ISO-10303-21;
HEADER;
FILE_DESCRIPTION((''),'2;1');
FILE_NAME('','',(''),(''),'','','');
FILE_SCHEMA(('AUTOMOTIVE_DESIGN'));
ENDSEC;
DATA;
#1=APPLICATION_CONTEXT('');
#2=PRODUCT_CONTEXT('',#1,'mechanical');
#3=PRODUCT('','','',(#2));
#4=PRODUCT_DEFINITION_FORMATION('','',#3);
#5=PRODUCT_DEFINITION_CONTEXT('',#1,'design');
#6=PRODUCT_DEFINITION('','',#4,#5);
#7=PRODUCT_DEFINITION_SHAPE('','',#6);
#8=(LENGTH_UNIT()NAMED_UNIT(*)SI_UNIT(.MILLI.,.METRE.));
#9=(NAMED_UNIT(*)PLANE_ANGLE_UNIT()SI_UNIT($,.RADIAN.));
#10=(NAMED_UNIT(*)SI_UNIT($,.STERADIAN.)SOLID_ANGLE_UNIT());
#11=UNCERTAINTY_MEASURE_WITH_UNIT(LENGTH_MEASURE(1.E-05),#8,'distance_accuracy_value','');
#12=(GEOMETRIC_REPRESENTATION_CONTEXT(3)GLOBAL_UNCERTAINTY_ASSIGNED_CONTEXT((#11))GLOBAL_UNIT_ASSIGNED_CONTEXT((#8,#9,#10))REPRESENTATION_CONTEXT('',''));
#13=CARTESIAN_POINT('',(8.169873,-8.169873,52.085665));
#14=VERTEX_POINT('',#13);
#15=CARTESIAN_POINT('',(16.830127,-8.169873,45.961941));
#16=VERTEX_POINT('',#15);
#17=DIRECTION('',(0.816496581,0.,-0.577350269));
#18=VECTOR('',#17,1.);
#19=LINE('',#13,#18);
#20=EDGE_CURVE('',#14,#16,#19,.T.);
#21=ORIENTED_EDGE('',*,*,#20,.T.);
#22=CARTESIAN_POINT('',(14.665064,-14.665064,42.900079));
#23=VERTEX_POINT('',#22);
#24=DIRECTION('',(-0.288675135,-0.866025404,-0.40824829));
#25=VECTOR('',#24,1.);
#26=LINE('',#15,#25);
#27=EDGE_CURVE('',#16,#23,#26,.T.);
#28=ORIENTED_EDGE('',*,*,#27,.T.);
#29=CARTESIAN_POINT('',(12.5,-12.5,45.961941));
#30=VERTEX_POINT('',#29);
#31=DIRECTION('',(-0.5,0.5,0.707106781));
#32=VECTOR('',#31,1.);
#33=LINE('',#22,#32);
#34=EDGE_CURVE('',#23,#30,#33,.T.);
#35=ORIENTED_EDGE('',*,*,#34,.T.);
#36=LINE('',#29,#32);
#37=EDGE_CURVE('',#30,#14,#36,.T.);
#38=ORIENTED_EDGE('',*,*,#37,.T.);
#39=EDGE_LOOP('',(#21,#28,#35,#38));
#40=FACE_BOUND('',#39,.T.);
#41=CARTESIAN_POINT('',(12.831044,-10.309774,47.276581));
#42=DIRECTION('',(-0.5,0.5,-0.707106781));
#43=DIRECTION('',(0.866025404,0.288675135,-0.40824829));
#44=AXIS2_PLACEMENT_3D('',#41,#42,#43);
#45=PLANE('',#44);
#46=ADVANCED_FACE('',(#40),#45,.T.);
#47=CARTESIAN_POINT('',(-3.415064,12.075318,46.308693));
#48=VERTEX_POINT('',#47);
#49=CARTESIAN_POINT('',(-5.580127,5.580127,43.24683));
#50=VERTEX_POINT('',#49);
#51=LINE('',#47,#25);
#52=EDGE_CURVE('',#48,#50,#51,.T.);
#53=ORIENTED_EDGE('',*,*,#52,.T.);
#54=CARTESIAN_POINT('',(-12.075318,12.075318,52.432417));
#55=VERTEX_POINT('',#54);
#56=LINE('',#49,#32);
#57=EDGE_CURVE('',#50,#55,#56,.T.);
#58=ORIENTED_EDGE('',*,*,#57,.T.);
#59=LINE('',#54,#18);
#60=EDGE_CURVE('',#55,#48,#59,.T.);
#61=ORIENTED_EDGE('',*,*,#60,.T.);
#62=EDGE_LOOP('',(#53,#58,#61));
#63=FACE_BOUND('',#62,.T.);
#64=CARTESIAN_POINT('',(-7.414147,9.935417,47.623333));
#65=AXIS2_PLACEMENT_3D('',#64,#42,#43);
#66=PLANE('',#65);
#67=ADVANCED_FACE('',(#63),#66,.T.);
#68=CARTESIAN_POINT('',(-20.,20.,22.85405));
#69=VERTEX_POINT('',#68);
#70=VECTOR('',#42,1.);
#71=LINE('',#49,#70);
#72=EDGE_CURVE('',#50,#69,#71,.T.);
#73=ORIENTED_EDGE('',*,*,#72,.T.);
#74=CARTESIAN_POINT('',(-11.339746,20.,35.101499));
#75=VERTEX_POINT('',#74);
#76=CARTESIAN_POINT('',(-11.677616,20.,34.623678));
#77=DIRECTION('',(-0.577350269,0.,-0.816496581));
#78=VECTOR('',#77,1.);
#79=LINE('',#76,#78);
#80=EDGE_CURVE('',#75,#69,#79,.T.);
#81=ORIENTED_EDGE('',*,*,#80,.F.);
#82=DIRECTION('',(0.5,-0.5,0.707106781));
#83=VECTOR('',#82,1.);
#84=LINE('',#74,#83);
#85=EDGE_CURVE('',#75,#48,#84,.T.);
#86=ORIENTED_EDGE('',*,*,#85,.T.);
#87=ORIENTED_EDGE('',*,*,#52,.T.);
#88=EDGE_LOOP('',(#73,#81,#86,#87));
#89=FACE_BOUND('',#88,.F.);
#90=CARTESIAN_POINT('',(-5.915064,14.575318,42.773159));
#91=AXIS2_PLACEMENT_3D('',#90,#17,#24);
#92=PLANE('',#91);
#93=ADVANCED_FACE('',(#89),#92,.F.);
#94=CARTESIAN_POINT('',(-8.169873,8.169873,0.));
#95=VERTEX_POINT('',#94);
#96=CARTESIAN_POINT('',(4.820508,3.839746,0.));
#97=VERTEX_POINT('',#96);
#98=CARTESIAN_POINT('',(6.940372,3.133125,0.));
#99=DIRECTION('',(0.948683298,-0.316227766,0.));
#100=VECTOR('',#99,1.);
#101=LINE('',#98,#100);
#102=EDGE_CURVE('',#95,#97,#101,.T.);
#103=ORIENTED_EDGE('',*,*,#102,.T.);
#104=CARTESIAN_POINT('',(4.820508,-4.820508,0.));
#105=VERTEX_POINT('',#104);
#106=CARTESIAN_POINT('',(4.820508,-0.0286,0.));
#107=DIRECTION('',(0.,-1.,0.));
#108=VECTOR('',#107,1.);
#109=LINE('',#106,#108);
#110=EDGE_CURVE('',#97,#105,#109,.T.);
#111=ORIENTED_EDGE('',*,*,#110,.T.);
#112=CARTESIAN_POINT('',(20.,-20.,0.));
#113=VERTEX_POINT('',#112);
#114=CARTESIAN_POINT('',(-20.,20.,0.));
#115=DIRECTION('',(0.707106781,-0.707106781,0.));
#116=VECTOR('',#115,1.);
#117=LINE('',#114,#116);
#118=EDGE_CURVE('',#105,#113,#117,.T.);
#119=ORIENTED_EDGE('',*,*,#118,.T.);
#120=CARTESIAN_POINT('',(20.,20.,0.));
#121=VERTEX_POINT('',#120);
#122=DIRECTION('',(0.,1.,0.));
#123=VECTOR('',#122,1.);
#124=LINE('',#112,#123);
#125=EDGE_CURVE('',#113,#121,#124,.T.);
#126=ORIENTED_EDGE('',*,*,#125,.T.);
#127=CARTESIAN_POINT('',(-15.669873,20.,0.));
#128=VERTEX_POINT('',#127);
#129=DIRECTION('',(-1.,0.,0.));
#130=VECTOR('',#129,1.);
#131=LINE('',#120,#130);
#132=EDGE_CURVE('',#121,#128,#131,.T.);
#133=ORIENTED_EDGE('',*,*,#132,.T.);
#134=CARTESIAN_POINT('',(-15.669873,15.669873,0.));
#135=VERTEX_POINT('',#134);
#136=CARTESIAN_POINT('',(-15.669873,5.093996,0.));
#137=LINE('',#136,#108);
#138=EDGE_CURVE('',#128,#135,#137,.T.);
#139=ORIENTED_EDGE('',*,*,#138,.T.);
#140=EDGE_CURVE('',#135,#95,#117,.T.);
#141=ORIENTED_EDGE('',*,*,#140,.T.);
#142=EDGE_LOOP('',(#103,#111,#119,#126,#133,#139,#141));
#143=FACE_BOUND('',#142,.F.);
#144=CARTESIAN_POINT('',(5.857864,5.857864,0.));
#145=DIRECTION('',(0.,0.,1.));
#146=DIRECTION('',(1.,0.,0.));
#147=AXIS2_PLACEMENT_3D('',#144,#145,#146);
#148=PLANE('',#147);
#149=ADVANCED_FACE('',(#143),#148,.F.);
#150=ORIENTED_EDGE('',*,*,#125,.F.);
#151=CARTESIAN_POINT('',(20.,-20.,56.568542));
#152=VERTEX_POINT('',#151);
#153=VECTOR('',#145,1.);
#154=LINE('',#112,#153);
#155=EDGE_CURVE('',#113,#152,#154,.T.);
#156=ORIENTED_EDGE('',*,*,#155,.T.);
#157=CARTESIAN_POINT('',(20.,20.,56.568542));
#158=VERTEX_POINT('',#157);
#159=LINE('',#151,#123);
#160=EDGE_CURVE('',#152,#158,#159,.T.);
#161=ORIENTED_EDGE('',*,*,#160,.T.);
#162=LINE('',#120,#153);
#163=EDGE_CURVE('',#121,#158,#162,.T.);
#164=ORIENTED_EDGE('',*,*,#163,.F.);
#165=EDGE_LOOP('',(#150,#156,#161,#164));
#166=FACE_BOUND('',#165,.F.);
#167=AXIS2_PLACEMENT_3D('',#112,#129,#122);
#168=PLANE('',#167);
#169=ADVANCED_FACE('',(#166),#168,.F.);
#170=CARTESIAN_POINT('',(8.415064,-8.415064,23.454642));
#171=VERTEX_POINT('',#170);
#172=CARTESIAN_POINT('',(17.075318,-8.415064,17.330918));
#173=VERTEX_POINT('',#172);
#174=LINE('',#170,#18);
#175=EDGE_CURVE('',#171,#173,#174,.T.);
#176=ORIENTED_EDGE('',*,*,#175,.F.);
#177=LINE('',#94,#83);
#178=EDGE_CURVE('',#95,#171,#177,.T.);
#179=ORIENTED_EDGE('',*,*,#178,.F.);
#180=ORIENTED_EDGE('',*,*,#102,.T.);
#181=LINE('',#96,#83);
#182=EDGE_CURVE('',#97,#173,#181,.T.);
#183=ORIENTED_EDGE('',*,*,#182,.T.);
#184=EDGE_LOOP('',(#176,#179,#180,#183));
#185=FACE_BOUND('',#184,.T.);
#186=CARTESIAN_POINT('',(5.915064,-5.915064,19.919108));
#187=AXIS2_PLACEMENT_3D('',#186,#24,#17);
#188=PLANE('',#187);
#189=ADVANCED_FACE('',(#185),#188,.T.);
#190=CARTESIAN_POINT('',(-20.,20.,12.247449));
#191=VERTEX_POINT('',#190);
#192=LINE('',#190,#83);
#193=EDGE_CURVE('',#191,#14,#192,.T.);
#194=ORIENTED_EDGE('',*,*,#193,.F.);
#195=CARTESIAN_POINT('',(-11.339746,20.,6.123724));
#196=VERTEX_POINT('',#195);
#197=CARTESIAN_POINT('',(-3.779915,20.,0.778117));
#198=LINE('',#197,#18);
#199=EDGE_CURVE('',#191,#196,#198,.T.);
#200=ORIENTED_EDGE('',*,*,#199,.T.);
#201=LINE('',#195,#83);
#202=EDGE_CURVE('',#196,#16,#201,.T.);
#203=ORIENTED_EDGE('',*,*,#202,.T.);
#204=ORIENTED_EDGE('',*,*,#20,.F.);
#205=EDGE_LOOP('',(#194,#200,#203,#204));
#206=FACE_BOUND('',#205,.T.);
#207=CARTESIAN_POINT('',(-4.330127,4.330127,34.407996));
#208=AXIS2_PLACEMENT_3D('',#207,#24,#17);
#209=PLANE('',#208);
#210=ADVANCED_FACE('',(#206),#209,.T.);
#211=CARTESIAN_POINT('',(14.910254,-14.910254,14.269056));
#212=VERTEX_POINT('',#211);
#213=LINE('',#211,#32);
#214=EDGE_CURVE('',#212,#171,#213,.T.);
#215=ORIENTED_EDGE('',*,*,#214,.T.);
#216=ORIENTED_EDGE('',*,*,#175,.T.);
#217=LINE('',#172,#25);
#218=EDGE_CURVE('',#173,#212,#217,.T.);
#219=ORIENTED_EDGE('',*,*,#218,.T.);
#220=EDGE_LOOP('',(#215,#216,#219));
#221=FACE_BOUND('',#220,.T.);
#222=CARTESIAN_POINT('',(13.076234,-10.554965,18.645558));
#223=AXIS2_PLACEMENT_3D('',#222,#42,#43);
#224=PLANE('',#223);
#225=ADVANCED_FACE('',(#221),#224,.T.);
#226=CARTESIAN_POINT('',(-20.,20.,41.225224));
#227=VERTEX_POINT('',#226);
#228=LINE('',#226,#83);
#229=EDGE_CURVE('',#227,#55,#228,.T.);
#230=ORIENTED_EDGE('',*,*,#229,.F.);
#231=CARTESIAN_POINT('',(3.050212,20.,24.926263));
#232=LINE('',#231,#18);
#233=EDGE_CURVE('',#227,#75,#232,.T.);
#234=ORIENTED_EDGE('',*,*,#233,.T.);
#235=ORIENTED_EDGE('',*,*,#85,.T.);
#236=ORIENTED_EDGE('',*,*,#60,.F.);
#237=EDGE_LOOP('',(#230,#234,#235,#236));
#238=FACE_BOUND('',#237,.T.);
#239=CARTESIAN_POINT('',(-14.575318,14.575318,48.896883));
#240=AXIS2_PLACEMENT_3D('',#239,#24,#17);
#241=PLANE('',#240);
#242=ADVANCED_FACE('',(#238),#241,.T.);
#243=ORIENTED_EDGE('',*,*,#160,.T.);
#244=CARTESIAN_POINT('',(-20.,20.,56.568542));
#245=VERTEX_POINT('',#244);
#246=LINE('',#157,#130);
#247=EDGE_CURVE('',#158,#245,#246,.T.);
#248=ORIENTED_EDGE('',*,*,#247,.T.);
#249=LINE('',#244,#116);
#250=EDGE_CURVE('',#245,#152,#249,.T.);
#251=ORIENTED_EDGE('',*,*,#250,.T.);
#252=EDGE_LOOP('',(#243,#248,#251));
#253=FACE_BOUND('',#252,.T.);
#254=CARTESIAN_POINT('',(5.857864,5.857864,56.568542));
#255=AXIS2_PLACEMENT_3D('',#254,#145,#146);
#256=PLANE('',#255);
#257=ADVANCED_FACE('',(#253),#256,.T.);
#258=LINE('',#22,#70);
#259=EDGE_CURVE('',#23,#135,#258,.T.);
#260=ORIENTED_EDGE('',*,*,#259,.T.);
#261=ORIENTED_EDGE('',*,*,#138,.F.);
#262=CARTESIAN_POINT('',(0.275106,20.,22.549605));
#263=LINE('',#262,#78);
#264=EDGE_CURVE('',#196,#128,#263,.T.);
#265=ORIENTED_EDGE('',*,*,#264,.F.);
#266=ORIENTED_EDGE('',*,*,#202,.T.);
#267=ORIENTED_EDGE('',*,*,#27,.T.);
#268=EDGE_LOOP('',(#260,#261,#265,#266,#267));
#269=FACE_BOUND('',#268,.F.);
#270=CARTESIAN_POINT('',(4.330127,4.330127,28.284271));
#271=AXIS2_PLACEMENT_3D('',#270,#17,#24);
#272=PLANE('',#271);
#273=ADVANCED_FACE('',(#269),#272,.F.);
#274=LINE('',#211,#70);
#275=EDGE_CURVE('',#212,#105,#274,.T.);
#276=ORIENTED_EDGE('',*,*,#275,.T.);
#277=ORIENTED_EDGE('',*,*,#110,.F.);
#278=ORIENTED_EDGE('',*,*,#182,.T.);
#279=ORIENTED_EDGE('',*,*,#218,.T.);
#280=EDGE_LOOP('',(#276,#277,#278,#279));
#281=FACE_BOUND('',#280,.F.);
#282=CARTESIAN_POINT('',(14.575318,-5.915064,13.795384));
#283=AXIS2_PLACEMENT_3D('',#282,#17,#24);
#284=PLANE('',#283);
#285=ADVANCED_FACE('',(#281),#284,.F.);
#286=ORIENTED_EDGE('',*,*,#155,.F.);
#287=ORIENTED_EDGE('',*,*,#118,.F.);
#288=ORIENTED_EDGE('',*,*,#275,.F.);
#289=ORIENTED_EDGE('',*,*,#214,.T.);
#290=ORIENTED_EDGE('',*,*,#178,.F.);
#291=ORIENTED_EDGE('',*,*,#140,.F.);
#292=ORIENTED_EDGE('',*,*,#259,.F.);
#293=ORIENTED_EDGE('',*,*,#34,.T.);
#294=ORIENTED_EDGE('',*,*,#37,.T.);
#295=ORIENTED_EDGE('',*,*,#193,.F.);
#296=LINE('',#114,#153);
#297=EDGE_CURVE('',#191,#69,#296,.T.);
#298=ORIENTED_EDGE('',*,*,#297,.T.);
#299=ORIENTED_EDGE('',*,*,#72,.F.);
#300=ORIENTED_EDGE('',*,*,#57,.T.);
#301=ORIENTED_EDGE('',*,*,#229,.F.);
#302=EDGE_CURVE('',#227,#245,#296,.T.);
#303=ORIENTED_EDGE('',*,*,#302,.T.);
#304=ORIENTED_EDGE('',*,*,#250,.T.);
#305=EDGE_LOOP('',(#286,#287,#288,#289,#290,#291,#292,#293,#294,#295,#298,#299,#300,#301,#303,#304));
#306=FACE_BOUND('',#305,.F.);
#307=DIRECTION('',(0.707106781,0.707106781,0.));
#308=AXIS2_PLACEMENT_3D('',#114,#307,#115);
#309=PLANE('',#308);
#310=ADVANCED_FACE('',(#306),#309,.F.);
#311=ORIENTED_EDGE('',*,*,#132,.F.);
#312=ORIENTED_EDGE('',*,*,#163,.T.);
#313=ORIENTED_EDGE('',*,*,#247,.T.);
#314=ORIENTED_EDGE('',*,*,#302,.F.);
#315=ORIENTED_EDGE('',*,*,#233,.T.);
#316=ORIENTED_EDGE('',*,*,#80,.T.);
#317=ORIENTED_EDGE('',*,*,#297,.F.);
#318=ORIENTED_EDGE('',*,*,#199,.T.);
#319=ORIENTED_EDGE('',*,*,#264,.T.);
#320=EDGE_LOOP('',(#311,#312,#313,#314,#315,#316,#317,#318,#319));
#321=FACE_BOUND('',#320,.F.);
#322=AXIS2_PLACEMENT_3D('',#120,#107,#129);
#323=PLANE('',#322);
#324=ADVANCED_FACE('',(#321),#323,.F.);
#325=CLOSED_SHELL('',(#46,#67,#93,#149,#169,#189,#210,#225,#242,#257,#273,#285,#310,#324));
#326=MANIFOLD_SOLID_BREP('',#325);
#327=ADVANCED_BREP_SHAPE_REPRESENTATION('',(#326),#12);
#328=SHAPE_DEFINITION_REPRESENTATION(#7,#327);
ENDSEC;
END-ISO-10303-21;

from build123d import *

# Parameters (mm, degrees)
F1_DEPTH      = 56.5685424949
F6_DEPTH      = 50
F6_DEPTH_BACK = 5
F7_DEPTH      = 25
F7_DEPTH_BACK = 50


with BuildPart() as f1:
    # F0 (on Top) → F1 (new body)
    with BuildSketch(Plane.XY):
        Polygon((20, -20), (20, 20), (-20, 20), align=None)
    extrude(amount=F1_DEPTH)

    # F4 (on face) → F6 (cut, two sides)
    with BuildSketch(Plane(origin=(10, -10, 14.1421356237), x_dir=(0.8660254038, 0.2886751346, -0.4082482905), z_dir=(-0.5, 0.5, -0.7071067812))) as f6_sk:
        Polygon((-20.8771324027, -29.5247237874), (-28.3771324027, -40.1313255052), (-18.3771324027, -36.5957915992), align=None)
        Polygon((2.7831216351, 3.9359283621), (-4.7168783649, -6.6706733557), (5.2831216351, -3.1351394497), align=None)
    extrude(amount=F6_DEPTH, mode=Mode.SUBTRACT)
    extrude(f6_sk.sketch, amount=-F6_DEPTH_BACK, mode=Mode.SUBTRACT)

    # F4 (on face) → F7 (cut, two sides)
    with BuildSketch(Plane(origin=(10, -10, 14.1421356237), x_dir=(0.8660254038, 0.2886751346, -0.4082482905), z_dir=(-0.5, 0.5, -0.7071067812))) as f7_sk:
        Polygon((-11.5470053838, -16.3299316186), (-16.5470053838, -23.4009994304), (-6.5470053838, -19.8654655245), (-9.0470053838, -12.7943977126), align=None)
    extrude(amount=-F7_DEPTH, mode=Mode.SUBTRACT)
    extrude(f7_sk.sketch, amount=F7_DEPTH_BACK, mode=Mode.SUBTRACT)


solid = f1.part
